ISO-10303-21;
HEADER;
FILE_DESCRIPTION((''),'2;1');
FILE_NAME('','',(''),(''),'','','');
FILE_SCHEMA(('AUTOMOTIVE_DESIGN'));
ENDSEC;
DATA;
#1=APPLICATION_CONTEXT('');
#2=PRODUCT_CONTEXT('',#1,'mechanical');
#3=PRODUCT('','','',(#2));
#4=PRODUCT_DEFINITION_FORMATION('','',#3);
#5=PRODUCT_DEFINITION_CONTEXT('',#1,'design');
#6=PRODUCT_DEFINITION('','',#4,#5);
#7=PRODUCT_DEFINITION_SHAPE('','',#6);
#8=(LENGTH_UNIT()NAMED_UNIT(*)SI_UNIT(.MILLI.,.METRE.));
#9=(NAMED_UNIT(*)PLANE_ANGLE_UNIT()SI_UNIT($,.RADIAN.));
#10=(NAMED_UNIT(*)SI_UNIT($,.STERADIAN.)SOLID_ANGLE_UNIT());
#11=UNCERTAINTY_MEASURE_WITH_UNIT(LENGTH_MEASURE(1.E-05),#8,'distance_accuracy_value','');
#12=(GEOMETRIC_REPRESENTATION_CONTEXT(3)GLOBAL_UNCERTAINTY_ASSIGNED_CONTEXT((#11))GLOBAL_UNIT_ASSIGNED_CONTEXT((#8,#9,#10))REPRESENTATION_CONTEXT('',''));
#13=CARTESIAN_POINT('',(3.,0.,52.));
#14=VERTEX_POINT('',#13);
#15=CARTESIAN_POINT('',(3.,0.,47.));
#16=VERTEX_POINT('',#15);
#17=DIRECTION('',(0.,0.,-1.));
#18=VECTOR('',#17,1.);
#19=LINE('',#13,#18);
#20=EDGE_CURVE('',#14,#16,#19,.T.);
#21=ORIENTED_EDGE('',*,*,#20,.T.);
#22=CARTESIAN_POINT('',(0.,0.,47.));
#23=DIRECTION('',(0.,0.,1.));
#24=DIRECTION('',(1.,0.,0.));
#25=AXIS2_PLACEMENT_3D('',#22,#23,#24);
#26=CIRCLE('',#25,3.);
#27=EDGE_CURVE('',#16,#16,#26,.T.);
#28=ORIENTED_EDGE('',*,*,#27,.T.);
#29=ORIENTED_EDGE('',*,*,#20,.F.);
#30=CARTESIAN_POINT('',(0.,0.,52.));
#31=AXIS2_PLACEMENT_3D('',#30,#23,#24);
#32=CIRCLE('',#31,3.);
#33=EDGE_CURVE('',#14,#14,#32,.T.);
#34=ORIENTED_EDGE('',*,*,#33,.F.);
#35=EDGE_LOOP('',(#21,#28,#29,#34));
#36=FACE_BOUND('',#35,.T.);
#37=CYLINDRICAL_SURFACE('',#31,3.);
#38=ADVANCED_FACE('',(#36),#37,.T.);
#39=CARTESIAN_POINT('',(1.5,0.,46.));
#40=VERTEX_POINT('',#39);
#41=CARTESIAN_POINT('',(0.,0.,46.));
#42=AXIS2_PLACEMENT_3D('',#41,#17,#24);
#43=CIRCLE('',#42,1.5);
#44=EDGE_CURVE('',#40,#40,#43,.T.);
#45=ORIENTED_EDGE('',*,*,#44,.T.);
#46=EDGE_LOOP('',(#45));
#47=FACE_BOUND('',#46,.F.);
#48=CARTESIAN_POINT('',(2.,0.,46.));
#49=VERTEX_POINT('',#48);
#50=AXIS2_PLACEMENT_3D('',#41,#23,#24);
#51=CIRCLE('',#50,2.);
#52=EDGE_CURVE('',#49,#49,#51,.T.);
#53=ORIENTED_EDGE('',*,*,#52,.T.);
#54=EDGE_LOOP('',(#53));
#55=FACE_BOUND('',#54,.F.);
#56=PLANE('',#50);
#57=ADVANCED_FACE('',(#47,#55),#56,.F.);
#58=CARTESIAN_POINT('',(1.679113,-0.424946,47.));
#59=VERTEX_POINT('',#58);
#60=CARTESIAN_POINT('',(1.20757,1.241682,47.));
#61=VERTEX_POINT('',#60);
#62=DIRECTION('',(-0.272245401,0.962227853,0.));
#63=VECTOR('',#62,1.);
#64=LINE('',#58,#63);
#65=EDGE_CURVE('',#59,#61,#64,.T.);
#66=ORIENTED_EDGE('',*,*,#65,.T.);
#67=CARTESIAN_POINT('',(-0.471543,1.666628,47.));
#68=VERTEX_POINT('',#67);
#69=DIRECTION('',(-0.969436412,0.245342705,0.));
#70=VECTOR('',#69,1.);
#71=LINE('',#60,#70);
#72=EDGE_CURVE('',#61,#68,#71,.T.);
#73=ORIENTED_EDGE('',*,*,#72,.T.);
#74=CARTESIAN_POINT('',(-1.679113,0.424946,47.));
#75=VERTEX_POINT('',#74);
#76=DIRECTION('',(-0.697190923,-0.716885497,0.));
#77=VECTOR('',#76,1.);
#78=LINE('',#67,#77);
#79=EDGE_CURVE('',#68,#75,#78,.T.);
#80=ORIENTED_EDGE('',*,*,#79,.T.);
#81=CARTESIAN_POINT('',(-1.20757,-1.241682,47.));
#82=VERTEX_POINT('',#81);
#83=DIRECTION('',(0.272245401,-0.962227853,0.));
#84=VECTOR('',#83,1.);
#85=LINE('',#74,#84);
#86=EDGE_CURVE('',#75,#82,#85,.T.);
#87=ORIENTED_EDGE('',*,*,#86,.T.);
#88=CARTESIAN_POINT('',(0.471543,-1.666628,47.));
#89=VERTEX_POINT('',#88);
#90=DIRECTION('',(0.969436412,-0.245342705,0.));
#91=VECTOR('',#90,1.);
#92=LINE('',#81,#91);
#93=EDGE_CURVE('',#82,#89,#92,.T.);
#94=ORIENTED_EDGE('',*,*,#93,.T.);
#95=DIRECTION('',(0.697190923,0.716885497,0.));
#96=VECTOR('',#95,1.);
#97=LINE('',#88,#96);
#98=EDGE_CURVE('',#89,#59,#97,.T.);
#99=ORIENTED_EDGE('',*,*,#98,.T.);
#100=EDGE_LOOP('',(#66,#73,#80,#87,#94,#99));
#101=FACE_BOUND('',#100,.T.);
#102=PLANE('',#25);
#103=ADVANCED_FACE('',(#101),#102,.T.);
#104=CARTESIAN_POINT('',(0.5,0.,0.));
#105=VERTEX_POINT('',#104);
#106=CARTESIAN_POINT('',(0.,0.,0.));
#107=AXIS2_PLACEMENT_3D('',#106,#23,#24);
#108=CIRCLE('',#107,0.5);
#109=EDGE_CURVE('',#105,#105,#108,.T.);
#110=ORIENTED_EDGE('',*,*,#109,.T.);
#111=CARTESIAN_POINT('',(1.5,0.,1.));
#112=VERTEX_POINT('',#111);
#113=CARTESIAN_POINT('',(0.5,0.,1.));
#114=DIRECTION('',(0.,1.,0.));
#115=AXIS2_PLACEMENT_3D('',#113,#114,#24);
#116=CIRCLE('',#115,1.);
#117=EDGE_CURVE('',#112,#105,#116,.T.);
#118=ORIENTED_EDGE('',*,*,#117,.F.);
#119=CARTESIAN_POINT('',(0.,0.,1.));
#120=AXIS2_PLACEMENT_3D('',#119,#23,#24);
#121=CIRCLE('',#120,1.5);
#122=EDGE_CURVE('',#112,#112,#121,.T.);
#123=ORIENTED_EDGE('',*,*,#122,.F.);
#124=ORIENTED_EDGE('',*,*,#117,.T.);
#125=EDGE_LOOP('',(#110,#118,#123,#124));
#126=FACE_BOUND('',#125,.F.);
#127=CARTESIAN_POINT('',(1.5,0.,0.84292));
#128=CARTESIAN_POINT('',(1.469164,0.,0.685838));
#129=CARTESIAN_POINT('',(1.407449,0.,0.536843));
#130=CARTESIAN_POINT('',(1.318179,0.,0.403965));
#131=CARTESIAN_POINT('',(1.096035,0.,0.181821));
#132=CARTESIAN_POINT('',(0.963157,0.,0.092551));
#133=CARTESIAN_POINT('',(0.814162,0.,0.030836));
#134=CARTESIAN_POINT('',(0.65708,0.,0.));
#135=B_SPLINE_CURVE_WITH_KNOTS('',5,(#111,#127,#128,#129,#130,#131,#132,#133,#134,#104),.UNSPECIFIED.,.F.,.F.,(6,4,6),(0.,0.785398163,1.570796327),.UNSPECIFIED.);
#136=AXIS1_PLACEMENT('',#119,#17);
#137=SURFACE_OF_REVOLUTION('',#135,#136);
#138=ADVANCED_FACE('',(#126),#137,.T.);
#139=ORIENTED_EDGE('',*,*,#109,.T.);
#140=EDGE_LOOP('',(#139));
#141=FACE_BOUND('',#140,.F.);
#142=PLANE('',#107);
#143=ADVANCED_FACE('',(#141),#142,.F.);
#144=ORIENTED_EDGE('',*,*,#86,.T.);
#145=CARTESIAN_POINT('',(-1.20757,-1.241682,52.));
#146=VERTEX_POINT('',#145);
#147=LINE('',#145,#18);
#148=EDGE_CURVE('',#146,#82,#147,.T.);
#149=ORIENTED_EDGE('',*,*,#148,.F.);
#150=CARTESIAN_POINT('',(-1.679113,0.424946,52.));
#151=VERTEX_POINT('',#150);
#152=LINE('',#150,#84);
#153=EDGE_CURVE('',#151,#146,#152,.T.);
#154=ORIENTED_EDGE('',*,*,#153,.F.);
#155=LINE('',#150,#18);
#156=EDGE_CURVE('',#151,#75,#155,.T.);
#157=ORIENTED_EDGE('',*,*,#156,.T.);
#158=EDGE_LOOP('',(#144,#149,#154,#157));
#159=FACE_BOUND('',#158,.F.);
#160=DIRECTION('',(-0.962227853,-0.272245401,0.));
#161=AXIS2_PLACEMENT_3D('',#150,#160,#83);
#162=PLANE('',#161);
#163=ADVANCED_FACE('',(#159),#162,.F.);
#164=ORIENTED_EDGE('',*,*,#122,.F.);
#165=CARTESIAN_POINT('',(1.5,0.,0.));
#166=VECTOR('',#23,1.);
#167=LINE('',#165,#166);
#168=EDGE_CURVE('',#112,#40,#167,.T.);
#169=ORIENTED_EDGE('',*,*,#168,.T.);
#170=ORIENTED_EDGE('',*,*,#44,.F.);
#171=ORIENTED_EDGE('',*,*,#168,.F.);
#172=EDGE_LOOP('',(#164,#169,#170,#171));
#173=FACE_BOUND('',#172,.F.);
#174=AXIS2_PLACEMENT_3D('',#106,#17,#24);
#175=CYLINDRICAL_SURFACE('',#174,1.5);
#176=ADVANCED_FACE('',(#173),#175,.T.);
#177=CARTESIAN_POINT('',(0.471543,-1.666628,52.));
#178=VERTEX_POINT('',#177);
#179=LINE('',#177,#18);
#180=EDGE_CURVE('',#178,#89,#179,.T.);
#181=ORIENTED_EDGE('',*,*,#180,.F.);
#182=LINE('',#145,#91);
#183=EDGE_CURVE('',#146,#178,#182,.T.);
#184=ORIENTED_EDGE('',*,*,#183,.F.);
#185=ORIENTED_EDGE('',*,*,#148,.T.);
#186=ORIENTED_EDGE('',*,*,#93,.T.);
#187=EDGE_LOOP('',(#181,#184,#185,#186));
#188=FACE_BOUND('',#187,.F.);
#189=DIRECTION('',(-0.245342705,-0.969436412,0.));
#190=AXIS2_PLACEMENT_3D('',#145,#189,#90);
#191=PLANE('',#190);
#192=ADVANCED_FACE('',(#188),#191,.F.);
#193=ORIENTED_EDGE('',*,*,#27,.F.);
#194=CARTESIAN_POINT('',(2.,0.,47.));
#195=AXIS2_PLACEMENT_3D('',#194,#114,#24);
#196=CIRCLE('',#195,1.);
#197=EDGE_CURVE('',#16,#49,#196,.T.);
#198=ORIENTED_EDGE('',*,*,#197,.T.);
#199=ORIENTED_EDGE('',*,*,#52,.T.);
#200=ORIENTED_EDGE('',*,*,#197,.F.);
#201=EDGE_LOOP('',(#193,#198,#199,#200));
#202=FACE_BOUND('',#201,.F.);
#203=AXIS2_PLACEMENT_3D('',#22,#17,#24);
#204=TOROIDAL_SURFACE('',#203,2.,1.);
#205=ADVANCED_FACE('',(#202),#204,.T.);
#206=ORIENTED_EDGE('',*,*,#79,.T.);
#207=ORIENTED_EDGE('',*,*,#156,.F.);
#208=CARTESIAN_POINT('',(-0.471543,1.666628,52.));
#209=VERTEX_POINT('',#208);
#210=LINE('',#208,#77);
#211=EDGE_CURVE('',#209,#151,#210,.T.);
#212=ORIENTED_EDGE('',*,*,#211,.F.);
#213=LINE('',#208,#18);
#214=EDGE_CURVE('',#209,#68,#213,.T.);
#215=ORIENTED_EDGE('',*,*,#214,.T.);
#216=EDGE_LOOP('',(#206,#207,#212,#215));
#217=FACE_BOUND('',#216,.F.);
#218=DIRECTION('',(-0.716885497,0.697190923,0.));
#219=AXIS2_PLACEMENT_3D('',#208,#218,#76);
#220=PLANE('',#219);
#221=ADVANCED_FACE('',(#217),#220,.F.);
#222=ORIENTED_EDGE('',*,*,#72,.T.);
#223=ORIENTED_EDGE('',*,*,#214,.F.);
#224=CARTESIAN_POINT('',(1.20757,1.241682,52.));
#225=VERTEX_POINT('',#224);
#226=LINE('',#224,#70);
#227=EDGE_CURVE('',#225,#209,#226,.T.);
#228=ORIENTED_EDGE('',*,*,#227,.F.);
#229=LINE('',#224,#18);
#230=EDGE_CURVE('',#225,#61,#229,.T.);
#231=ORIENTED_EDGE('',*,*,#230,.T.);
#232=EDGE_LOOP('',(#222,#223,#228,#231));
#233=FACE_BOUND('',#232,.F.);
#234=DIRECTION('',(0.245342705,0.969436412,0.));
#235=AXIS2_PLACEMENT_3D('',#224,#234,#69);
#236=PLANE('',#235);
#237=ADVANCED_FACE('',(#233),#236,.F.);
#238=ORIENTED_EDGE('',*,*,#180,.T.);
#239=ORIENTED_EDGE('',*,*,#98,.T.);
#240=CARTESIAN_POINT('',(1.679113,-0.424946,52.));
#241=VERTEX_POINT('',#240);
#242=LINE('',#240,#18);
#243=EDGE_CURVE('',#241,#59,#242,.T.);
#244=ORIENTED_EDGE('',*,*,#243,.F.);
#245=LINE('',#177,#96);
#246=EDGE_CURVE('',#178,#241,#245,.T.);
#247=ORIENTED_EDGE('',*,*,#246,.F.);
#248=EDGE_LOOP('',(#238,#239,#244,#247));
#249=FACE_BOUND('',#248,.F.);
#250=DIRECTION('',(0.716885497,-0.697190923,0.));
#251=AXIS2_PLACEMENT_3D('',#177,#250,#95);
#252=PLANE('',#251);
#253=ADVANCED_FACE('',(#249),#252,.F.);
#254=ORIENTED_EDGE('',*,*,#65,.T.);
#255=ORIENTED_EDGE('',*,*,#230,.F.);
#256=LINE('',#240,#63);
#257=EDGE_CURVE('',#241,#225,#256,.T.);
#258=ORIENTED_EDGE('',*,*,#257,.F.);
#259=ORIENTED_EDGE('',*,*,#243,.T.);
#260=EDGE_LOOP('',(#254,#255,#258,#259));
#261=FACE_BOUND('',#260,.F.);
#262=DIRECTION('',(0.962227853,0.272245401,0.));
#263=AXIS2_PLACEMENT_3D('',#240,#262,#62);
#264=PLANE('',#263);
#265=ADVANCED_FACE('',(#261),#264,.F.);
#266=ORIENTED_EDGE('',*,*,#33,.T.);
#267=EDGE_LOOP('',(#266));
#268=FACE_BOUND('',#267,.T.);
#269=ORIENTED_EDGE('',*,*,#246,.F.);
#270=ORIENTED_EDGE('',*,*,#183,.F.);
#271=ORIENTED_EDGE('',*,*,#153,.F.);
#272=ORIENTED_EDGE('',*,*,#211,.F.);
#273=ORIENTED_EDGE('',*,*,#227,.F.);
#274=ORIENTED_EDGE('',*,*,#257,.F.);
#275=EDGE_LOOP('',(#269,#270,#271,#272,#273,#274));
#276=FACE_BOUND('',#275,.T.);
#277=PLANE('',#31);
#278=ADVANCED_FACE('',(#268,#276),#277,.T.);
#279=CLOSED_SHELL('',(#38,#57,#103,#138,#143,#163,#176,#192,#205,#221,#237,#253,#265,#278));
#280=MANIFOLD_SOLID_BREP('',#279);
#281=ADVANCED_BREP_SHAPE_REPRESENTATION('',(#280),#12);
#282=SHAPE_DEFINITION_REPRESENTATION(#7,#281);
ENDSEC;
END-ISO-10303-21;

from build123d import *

# Parameters (mm, degrees)
F0_R     = 1.5
F1_DEPTH = 52
F2_R     = 3
F2_R_2   = 1.5
F3_DEPTH = 6
F5_DEPTH = 5
F6_R     = 1


with BuildPart() as f1:
    # F0 (on Top) → F1 (new body)
    with BuildSketch(Plane.XY):
        Circle(F0_R)
    extrude(amount=F1_DEPTH)

    # F2 (on face) → F3 (join)
    with BuildSketch(Plane.XY.offset(52)):
        Circle(F2_R)
        Circle(F2_R_2, mode=Mode.SUBTRACT)
        Circle(F2_R_2)
    extrude(amount=-F3_DEPTH)

    # F4 (on face) → F5 (cut)
    with BuildSketch(Plane.XY.offset(52)):
        Polygon((0.471543, -1.666628), (1.679113, -0.424946), (1.20757, 1.241682), (-0.471543, 1.666628), (-1.679113, 0.424946), (-1.20757, -1.241682), align=None)
    extrude(amount=-F5_DEPTH, mode=Mode.SUBTRACT)

    # F6
    f6_edges = [f1.edges().sort_by_distance(p)[0] for p in [
        (-1.5, 0, 0),
        (-3, 0, 46),
    ]]
    fillet(f6_edges, radius=F6_R)


solid = f1.part
